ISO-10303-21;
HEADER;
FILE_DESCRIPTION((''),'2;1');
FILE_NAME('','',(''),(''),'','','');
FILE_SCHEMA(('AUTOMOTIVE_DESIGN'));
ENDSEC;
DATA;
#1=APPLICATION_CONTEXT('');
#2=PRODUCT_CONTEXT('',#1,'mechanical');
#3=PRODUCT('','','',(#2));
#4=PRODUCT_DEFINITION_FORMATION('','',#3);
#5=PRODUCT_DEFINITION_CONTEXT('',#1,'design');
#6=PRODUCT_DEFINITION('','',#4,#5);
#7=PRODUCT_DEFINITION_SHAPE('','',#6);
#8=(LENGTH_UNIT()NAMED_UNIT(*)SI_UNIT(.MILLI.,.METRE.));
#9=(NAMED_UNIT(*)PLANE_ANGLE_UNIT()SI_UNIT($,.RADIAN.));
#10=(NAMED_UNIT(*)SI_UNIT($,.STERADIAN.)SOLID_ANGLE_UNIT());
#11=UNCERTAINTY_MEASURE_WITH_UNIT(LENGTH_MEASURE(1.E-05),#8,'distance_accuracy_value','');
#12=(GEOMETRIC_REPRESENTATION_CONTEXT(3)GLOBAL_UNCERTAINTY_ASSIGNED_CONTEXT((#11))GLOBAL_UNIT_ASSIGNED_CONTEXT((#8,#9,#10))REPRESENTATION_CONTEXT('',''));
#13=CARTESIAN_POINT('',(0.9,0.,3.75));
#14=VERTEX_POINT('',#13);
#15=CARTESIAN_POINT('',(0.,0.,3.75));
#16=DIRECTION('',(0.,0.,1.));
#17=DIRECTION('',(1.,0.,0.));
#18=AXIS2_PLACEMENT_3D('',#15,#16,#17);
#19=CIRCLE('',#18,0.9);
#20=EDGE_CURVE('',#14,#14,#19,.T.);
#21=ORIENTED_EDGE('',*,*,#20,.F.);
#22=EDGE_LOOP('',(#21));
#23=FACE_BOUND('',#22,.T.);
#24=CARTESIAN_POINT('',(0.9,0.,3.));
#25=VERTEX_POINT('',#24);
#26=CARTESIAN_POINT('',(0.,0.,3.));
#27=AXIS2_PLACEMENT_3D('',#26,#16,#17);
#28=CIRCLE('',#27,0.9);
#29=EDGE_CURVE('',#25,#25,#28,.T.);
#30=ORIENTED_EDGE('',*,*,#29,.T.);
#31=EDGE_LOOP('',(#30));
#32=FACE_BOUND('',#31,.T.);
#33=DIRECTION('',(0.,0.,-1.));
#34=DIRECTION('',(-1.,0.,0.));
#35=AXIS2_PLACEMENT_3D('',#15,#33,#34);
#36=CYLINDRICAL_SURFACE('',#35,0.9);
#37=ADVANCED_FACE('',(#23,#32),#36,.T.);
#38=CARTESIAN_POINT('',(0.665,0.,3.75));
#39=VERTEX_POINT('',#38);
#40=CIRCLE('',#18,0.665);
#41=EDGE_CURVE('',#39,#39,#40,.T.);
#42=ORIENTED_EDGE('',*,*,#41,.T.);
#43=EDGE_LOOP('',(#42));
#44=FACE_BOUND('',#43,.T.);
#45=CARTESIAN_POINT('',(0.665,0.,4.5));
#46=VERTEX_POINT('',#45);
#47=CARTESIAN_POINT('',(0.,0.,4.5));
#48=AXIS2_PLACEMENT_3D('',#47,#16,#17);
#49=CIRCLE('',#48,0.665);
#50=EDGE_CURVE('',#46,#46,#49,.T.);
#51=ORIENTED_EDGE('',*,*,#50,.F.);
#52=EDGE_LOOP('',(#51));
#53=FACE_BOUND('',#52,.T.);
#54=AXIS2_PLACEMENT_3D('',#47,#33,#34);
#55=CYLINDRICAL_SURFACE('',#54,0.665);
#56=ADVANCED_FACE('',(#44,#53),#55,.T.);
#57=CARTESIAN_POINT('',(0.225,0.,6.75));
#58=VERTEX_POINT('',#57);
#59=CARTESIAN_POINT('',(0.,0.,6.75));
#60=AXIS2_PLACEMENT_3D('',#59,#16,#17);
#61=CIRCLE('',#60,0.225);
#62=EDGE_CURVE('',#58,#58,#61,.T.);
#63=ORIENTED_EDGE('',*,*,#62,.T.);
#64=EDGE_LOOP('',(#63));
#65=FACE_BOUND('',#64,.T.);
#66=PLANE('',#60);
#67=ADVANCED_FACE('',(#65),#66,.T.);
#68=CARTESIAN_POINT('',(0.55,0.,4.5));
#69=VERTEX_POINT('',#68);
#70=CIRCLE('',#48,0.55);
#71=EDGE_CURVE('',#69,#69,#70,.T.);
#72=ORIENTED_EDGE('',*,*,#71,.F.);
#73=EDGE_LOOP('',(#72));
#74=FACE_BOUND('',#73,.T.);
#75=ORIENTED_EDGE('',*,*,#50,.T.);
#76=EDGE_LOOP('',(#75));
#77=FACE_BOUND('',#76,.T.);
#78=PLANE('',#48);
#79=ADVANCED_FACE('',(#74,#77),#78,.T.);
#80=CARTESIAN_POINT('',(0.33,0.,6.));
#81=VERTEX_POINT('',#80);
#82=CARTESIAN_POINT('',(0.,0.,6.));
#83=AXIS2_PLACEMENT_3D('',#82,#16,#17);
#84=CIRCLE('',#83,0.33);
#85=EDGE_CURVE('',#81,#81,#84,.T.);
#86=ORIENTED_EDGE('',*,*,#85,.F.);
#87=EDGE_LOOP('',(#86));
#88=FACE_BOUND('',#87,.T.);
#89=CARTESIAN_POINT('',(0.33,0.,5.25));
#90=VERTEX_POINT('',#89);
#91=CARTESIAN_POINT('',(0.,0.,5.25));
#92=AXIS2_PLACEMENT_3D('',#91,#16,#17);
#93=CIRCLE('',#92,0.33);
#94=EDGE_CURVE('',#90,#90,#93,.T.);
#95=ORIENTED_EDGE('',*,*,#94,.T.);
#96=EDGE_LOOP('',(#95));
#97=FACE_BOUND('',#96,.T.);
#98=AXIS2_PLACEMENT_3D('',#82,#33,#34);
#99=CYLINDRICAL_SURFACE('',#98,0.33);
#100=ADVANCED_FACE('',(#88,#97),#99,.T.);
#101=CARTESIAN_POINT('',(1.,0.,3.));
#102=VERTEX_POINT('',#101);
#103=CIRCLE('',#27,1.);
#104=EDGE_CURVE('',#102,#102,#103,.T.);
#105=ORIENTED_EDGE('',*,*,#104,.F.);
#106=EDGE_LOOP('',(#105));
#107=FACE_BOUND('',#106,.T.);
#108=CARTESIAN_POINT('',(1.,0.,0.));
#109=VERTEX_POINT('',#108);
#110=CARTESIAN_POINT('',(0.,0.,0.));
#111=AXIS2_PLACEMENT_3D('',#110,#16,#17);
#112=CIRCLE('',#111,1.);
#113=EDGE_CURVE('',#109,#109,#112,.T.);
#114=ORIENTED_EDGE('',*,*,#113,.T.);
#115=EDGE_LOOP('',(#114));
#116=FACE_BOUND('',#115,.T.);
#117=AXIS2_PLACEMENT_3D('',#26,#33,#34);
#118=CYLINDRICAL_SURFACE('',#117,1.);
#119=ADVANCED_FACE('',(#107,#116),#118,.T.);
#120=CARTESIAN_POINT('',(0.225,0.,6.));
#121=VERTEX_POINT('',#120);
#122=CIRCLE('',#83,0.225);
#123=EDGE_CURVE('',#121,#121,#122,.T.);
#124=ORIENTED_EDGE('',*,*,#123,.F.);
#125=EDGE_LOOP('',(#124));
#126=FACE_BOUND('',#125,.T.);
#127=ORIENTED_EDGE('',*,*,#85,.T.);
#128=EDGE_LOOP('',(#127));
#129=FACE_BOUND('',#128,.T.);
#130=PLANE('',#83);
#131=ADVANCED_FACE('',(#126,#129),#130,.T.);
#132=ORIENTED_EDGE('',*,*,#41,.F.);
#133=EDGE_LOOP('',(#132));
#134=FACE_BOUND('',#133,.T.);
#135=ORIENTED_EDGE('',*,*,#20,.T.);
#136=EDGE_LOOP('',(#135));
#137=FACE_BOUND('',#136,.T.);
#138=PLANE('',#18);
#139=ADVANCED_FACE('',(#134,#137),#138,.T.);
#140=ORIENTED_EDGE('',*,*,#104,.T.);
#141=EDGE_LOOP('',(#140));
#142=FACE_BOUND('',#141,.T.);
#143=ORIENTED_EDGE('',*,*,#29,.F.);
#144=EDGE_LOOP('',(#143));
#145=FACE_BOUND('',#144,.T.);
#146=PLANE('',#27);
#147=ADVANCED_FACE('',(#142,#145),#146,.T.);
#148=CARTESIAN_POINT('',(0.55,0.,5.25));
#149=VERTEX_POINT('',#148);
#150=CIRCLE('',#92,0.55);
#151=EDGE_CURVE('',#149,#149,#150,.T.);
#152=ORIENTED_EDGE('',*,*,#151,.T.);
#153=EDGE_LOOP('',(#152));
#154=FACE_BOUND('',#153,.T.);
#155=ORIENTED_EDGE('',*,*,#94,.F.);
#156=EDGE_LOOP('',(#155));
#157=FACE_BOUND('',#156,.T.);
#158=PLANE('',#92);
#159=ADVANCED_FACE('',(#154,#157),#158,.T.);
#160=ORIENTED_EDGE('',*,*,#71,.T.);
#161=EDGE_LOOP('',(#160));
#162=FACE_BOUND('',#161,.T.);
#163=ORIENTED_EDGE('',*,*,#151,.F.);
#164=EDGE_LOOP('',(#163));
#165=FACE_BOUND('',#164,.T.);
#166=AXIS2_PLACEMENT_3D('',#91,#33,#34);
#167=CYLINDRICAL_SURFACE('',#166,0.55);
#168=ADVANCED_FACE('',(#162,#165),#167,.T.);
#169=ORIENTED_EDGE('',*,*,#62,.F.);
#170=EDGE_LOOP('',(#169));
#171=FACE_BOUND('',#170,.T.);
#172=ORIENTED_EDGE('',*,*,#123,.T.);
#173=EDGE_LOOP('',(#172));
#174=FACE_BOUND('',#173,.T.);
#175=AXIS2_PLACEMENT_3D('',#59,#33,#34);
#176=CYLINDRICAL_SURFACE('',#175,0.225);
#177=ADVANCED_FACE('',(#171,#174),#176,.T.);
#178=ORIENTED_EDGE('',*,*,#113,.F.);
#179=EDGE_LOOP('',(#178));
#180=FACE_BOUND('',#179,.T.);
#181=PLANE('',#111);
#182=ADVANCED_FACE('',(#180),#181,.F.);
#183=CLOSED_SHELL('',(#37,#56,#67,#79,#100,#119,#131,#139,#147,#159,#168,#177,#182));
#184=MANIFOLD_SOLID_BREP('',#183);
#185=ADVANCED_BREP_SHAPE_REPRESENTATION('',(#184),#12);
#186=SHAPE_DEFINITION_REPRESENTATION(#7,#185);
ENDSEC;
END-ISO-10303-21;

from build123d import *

# Parameters (mm, degrees)
SKETCH1_R           = 1
BOSS_EXTRUDE1_DEPTH = 3
SKETCH2_R           = 0.33
SKETCH2_R_2         = 0.225
BOSS_EXTRUDE2_DEPTH = 3
SKETCH2_3_R         = 0.55
SKETCH2_3_R_2       = 0.33
BOSS_EXTRUDE3_DEPTH = 2.25
SKETCH2_4_R         = 0.665
SKETCH2_4_R_2       = 0.55
BOSS_EXTRUDE4_DEPTH = 1.5
SKETCH2_6_R         = 0.9
SKETCH2_6_R_2       = 0.665
BOSS_EXTRUDE6_DEPTH = 0.75
SKETCH2_7_R         = 0.225
BOSS_EXTRUDE7_DEPTH = 3.75


with BuildPart() as part:
    # Sketch1 → Boss-Extrude1 (new body)
    with BuildSketch(Plane.XY):
        Circle(SKETCH1_R)
    extrude(amount=BOSS_EXTRUDE1_DEPTH)

    # Sketch2 → Boss-Extrude2 (add)
    with BuildSketch(Plane.XY.offset(3)):
        Circle(SKETCH2_R)
        Circle(SKETCH2_R_2, mode=Mode.SUBTRACT)
    extrude(amount=BOSS_EXTRUDE2_DEPTH)

    # Sketch2<3> → Boss-Extrude3 (add)
    with BuildSketch(Plane.XY.offset(3)):
        Circle(SKETCH2_3_R)
        Circle(SKETCH2_3_R_2, mode=Mode.SUBTRACT)
    extrude(amount=BOSS_EXTRUDE3_DEPTH)

    # Sketch2<4> → Boss-Extrude4 (add)
    with BuildSketch(Plane.XY.offset(3)):
        Circle(SKETCH2_4_R)
        Circle(SKETCH2_4_R_2, mode=Mode.SUBTRACT)
    extrude(amount=BOSS_EXTRUDE4_DEPTH)

    # Sketch2<6> → Boss-Extrude6 (add)
    with BuildSketch(Plane.XY.offset(3)):
        Circle(SKETCH2_6_R)
        Circle(SKETCH2_6_R_2, mode=Mode.SUBTRACT)
    extrude(amount=BOSS_EXTRUDE6_DEPTH)

    # Sketch2<7> → Boss-Extrude7 (add)
    with BuildSketch(Plane.XY.offset(3)):
        Circle(SKETCH2_7_R)
    extrude(amount=BOSS_EXTRUDE7_DEPTH)


solid = part.part
